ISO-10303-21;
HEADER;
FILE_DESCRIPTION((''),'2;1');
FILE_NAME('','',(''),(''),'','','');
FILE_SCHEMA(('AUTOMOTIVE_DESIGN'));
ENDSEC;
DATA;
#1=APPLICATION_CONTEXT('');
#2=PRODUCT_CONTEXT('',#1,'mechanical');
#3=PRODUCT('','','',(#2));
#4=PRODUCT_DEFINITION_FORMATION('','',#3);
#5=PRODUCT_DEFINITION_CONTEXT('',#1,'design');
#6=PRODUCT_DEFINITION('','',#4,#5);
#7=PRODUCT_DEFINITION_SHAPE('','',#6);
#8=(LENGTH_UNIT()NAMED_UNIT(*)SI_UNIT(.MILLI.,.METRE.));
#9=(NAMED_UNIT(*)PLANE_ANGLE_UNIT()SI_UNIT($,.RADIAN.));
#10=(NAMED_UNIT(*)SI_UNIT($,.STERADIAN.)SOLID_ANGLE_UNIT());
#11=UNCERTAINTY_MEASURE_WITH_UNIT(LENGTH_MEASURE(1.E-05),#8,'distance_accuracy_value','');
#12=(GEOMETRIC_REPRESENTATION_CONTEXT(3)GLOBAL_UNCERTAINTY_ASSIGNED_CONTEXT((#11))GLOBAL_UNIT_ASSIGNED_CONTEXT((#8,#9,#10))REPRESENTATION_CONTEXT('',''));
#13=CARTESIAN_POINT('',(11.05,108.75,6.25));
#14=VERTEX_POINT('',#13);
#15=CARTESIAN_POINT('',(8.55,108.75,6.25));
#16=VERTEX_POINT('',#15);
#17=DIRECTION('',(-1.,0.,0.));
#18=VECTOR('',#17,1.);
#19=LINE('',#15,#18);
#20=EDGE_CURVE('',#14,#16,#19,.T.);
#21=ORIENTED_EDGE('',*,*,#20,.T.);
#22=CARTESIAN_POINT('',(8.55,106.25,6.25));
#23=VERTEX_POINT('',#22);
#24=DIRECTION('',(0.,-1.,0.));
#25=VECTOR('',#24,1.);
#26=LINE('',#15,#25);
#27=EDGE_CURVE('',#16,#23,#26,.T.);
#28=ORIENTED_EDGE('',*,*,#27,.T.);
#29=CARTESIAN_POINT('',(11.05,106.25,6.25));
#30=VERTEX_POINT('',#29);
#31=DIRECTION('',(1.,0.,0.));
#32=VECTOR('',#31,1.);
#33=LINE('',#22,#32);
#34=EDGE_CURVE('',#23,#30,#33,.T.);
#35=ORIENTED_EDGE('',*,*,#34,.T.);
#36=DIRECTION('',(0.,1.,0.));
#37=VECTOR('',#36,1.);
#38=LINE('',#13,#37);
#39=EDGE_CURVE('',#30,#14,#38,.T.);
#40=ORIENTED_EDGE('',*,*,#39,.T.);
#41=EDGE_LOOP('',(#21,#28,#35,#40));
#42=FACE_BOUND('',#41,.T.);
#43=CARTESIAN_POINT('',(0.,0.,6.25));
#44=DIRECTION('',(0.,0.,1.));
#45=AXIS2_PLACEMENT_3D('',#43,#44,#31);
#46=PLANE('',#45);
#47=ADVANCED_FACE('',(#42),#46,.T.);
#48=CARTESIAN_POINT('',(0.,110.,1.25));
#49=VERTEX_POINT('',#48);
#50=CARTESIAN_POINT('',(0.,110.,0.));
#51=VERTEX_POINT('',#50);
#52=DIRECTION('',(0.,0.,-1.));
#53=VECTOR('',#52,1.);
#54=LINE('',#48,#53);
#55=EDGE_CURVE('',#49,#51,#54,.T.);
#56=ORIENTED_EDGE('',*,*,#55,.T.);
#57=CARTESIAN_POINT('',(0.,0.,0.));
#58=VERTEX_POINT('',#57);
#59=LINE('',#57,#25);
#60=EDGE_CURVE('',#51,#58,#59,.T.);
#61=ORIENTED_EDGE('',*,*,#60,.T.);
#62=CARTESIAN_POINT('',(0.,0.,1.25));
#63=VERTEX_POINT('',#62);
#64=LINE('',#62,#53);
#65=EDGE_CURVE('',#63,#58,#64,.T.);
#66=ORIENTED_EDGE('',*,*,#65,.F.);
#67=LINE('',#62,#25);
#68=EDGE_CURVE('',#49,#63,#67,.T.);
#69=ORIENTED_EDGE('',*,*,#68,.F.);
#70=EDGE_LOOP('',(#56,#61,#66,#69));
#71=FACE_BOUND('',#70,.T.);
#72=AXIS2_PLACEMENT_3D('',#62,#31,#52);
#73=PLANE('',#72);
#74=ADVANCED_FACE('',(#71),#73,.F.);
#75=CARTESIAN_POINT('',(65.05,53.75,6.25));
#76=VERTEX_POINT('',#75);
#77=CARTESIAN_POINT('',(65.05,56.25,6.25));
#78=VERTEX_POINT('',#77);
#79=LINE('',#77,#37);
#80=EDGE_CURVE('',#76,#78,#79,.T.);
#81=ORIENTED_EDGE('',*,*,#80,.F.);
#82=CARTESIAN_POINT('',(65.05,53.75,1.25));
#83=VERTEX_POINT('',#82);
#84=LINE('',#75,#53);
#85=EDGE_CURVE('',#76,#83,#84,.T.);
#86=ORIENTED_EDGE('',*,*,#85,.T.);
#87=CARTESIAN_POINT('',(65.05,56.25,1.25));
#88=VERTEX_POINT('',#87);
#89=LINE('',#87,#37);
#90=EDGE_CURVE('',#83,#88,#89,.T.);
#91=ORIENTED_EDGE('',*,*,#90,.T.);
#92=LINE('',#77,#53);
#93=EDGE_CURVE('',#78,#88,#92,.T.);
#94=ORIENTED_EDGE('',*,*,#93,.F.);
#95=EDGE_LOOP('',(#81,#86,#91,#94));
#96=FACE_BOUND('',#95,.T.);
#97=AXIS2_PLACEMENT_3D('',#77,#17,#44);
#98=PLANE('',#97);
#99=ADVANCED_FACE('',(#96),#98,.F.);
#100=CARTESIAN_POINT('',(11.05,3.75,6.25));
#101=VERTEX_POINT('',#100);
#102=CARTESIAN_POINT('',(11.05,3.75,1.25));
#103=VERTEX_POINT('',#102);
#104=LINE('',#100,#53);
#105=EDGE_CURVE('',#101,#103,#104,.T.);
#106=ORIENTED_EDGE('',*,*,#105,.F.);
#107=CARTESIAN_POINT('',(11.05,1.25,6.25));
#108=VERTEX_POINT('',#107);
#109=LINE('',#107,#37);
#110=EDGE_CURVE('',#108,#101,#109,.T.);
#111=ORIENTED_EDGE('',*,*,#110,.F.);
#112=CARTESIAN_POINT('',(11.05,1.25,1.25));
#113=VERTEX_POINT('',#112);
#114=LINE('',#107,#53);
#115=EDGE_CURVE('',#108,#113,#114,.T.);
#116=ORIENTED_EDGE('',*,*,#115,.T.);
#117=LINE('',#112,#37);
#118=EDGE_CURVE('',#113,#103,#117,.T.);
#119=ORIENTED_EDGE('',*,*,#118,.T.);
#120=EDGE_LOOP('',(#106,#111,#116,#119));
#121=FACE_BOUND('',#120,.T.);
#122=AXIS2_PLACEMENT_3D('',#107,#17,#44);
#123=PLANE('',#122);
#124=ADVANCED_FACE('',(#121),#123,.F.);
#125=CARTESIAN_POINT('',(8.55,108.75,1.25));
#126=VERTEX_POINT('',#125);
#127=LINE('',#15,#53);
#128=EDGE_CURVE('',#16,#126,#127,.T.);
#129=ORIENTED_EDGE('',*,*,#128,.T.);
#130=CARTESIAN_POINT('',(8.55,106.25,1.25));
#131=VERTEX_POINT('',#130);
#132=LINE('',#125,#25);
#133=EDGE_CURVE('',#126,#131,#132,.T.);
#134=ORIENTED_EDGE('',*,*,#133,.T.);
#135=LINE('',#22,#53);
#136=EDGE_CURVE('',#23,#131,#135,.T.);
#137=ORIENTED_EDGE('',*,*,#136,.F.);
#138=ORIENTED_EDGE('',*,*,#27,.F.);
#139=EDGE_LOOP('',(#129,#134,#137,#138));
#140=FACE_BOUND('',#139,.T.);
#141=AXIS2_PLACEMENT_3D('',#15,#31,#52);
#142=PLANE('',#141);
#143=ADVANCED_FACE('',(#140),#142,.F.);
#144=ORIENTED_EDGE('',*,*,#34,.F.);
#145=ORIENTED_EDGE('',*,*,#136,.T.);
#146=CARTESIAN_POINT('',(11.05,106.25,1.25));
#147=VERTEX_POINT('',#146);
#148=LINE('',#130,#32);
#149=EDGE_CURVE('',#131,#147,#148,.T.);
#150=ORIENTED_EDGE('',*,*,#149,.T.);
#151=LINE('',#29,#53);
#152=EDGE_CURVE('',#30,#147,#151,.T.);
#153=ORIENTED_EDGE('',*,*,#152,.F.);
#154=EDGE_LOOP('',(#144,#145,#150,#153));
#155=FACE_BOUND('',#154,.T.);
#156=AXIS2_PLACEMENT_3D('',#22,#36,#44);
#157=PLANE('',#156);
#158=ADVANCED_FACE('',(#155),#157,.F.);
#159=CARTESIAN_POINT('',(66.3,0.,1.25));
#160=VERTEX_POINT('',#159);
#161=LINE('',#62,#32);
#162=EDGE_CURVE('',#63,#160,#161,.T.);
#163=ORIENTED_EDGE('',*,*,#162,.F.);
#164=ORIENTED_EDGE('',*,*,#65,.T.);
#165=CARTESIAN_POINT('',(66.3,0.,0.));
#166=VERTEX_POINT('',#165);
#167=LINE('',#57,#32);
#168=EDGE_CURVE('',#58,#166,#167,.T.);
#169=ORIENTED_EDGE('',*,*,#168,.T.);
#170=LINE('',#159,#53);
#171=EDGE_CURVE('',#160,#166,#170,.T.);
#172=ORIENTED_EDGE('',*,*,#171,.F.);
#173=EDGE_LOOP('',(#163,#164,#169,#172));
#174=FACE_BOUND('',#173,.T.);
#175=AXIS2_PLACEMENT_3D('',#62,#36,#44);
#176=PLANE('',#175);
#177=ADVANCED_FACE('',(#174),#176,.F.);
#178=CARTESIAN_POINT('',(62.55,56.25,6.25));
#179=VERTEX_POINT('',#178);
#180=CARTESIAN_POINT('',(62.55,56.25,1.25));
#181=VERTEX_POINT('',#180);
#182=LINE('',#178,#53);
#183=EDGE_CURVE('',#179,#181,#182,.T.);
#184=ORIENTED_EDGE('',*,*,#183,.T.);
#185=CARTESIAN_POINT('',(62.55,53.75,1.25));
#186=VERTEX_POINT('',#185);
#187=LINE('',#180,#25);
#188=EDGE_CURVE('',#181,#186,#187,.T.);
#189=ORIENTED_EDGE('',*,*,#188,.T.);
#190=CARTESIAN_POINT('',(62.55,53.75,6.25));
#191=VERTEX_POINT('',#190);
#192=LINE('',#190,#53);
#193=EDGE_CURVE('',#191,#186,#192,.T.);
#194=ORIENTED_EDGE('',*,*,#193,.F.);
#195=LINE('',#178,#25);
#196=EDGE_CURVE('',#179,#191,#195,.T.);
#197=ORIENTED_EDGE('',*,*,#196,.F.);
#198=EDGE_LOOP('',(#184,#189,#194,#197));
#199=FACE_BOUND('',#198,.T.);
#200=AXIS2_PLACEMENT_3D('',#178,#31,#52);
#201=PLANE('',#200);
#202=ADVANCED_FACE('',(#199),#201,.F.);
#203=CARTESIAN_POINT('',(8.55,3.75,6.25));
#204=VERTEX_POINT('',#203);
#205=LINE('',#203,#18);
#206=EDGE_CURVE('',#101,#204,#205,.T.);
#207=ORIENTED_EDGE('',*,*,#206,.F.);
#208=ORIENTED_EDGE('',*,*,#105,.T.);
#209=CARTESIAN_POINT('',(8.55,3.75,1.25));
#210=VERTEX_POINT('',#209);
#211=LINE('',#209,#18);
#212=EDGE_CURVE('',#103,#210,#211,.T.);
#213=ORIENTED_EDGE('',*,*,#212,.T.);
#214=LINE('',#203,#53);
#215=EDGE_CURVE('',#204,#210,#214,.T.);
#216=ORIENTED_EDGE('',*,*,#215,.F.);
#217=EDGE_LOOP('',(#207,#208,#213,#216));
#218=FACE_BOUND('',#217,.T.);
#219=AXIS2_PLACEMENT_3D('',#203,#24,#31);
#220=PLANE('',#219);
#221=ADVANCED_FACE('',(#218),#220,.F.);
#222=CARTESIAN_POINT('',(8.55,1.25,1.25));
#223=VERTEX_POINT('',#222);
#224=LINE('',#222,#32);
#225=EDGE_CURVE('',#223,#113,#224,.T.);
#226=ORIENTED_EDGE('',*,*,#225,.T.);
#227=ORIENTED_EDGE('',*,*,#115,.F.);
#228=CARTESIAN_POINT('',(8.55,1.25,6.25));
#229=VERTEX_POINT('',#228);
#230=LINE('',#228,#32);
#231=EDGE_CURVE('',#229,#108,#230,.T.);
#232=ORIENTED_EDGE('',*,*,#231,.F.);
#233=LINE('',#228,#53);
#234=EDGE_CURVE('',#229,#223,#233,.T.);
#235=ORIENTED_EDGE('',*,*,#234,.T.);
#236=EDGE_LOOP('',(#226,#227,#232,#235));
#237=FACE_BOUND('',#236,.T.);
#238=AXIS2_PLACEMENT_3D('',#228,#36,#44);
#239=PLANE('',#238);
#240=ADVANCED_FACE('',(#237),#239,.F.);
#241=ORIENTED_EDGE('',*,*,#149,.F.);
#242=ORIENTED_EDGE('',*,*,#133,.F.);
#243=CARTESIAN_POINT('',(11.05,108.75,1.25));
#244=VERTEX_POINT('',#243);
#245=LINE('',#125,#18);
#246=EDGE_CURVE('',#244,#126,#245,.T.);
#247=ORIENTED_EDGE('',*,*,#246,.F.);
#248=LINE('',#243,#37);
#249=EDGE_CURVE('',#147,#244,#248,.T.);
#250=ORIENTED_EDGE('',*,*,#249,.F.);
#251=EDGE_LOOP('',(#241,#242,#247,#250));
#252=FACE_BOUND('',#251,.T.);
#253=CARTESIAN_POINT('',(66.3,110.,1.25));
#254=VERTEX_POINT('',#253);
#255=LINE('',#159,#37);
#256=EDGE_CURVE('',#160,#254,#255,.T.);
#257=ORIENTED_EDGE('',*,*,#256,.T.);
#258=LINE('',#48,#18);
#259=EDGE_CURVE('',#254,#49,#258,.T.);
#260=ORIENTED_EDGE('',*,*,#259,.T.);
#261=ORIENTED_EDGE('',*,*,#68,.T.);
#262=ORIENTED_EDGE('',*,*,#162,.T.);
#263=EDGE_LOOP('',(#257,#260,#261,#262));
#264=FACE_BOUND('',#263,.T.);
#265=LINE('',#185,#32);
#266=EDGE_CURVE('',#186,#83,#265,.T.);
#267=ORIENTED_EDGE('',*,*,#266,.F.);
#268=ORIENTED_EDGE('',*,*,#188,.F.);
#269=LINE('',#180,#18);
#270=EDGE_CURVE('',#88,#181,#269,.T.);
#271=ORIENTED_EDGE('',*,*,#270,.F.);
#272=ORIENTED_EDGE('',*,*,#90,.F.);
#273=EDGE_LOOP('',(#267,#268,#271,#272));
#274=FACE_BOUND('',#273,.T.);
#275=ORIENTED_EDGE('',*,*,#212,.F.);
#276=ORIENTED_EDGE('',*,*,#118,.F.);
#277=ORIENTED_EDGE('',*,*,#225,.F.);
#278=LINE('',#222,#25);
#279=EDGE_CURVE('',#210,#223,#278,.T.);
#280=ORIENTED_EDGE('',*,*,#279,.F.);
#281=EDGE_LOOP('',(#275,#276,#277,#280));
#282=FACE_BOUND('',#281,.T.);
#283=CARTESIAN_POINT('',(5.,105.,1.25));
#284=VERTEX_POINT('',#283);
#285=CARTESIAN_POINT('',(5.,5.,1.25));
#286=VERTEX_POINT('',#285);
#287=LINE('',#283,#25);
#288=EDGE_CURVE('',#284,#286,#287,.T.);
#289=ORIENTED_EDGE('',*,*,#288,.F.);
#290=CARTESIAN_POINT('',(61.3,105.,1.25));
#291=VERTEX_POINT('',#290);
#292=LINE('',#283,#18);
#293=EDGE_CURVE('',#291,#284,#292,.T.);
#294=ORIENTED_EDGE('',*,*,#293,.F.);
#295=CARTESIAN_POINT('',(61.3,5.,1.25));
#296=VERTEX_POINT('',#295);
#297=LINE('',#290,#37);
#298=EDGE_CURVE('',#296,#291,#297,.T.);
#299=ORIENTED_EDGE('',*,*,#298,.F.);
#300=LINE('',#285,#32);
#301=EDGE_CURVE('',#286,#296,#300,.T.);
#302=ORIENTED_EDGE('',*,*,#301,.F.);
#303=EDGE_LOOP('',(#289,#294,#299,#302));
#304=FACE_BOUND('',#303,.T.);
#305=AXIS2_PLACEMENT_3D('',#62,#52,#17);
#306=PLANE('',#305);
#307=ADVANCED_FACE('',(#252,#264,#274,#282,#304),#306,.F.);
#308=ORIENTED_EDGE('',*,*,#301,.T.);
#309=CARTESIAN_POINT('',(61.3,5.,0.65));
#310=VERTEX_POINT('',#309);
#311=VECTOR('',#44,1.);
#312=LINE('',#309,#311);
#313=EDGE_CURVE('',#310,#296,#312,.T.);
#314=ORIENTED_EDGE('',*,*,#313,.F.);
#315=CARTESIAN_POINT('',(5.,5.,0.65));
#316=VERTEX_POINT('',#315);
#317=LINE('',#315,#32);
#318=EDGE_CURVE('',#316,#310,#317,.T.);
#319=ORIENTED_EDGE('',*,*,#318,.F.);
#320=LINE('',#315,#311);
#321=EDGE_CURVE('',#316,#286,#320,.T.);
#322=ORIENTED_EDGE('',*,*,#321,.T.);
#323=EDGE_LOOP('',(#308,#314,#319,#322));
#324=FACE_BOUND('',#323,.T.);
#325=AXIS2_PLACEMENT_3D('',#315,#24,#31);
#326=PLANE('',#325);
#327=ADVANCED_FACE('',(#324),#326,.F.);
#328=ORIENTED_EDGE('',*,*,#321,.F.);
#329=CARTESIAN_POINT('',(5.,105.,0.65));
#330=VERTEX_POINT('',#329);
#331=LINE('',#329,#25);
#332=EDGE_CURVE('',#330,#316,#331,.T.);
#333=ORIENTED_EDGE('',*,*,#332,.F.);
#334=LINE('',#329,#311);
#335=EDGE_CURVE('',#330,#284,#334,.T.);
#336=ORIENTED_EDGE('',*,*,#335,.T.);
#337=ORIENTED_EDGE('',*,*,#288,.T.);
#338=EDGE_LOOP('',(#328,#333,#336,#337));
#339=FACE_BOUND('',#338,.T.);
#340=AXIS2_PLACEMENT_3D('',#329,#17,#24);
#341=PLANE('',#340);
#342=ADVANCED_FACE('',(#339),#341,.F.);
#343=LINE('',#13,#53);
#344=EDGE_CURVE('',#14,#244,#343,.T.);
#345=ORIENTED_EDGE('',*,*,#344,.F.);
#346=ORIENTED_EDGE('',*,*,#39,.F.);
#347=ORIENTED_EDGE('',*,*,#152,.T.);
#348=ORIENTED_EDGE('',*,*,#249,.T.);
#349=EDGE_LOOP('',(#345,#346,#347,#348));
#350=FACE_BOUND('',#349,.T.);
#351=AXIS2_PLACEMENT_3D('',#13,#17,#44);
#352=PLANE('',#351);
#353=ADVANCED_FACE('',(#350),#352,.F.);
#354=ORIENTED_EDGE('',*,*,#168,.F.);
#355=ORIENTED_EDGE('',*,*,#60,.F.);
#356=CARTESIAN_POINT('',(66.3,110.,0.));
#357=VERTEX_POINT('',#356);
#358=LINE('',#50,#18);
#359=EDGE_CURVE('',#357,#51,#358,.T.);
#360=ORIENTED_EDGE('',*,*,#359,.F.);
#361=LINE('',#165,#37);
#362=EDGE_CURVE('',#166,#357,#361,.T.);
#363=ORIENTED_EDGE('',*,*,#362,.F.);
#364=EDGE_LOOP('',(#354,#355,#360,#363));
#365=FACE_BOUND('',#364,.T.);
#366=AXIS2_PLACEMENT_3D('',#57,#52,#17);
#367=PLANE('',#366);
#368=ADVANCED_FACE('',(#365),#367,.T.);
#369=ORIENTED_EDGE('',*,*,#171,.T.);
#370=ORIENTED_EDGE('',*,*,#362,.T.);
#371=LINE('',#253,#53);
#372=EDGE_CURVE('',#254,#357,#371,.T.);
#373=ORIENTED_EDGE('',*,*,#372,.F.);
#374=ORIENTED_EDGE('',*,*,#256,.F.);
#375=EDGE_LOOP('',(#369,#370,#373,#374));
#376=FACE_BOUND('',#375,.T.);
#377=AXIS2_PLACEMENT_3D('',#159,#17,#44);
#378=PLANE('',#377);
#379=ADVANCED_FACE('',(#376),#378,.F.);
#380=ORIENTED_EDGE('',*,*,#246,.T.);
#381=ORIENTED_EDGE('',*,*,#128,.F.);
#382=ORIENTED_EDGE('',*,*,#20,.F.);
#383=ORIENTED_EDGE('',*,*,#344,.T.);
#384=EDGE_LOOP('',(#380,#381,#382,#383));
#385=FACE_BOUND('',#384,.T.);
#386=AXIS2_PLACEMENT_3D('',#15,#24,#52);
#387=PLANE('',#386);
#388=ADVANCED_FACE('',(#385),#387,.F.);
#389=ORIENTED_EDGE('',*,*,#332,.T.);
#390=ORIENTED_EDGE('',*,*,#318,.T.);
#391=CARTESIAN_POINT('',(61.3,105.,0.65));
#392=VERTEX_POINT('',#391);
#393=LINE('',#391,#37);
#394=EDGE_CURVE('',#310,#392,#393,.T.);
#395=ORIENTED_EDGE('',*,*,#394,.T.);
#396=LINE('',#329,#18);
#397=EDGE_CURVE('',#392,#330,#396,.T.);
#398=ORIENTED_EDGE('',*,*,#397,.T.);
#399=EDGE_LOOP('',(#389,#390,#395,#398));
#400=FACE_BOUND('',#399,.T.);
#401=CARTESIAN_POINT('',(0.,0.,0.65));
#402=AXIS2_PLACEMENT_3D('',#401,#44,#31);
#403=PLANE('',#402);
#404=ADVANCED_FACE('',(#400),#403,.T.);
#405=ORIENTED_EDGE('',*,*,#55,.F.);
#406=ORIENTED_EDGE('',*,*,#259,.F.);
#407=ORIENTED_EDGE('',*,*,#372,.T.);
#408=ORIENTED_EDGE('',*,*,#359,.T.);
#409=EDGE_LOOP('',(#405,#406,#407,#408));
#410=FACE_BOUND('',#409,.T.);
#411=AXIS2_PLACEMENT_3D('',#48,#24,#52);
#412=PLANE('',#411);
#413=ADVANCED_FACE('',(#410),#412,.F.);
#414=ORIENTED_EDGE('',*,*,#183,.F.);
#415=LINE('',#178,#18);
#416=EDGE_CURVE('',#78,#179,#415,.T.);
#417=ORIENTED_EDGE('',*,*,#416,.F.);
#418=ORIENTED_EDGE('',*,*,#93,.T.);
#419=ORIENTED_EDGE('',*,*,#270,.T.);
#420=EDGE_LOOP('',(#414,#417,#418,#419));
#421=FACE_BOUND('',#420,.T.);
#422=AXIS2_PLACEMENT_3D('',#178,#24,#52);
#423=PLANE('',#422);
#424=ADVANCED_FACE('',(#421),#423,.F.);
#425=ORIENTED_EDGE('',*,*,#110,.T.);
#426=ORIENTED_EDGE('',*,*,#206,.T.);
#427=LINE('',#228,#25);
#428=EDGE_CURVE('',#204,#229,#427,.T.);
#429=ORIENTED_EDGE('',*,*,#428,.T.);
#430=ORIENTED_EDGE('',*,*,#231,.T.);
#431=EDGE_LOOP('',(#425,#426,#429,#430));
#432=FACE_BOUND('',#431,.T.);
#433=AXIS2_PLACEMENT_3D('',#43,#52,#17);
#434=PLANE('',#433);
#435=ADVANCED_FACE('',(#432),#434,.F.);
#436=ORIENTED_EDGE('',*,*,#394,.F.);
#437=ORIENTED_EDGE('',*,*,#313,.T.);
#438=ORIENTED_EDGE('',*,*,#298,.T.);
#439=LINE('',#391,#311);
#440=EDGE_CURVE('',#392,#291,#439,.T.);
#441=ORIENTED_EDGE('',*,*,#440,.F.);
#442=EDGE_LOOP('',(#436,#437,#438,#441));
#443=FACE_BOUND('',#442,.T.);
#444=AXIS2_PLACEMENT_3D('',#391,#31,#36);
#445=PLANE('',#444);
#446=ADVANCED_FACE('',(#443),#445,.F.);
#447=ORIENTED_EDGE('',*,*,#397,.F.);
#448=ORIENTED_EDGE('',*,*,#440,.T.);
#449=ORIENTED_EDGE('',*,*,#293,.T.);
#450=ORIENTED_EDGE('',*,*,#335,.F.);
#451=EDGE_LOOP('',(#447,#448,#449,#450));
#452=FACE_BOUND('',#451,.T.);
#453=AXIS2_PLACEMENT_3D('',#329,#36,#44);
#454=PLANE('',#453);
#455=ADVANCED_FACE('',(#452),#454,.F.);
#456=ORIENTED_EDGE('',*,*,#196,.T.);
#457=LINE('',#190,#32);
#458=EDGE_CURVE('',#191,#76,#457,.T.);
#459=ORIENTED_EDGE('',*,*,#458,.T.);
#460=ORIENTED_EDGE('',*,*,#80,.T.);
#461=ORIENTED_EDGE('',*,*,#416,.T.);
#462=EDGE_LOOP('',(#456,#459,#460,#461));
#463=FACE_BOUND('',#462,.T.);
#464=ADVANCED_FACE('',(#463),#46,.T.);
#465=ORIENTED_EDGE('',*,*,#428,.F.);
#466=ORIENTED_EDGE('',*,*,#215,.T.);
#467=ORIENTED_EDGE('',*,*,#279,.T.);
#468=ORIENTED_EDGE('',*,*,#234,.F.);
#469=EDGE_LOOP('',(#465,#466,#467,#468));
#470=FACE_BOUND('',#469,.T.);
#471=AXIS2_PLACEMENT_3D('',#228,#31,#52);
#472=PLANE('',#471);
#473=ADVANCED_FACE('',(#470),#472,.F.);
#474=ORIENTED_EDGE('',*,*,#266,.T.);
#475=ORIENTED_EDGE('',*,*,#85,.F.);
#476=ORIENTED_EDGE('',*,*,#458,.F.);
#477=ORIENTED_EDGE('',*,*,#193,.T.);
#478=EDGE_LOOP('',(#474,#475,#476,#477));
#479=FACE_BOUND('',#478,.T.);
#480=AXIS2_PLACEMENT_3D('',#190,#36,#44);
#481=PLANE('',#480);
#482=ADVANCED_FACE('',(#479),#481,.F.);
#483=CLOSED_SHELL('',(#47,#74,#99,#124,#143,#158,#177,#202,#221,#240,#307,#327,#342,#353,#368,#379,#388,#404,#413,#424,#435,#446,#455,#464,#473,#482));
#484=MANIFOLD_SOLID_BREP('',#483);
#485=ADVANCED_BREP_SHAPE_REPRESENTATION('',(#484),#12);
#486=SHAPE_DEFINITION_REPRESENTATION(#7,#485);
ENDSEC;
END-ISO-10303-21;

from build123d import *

# Parameters (mm, degrees)
SKETCH1_W           = 66.3
SKETCH1_H           = 110
BOSS_EXTRUDE1_DEPTH = 1.25
SKETCH2_W           = 2.5
SKETCH2_H           = 2.5
BOSS_EXTRUDE2_DEPTH = 5
SKETCH3_W           = 56.3
SKETCH3_H           = 100
CUT_EXTRUDE1_DEPTH  = 0.6


with BuildPart() as part:
    # Sketch1 → Boss-Extrude1 (new body)
    with BuildSketch(Plane.XY):
        with Locations((33.15, 55)):
            Rectangle(SKETCH1_W, SKETCH1_H)
    extrude(amount=BOSS_EXTRUDE1_DEPTH)

    # Sketch2 → Boss-Extrude2 (add)
    with BuildSketch(Plane.XY.offset(1.25)):
        with Locations((9.8, 2.5)):
            Rectangle(SKETCH2_W, SKETCH2_H)
        with Locations((9.8, 107.5)):
            Rectangle(SKETCH2_W, SKETCH2_H)
        with Locations((63.8, 55)):
            Rectangle(SKETCH2_W, SKETCH2_H)
    extrude(amount=BOSS_EXTRUDE2_DEPTH)

    # Sketch3 → Cut-Extrude1 (cut)
    with BuildSketch(Plane.XY.offset(1.25)):
        with Locations((33.15, 55)):
            Rectangle(SKETCH3_W, SKETCH3_H)
    extrude(amount=-CUT_EXTRUDE1_DEPTH, mode=Mode.SUBTRACT)


solid = part.part
